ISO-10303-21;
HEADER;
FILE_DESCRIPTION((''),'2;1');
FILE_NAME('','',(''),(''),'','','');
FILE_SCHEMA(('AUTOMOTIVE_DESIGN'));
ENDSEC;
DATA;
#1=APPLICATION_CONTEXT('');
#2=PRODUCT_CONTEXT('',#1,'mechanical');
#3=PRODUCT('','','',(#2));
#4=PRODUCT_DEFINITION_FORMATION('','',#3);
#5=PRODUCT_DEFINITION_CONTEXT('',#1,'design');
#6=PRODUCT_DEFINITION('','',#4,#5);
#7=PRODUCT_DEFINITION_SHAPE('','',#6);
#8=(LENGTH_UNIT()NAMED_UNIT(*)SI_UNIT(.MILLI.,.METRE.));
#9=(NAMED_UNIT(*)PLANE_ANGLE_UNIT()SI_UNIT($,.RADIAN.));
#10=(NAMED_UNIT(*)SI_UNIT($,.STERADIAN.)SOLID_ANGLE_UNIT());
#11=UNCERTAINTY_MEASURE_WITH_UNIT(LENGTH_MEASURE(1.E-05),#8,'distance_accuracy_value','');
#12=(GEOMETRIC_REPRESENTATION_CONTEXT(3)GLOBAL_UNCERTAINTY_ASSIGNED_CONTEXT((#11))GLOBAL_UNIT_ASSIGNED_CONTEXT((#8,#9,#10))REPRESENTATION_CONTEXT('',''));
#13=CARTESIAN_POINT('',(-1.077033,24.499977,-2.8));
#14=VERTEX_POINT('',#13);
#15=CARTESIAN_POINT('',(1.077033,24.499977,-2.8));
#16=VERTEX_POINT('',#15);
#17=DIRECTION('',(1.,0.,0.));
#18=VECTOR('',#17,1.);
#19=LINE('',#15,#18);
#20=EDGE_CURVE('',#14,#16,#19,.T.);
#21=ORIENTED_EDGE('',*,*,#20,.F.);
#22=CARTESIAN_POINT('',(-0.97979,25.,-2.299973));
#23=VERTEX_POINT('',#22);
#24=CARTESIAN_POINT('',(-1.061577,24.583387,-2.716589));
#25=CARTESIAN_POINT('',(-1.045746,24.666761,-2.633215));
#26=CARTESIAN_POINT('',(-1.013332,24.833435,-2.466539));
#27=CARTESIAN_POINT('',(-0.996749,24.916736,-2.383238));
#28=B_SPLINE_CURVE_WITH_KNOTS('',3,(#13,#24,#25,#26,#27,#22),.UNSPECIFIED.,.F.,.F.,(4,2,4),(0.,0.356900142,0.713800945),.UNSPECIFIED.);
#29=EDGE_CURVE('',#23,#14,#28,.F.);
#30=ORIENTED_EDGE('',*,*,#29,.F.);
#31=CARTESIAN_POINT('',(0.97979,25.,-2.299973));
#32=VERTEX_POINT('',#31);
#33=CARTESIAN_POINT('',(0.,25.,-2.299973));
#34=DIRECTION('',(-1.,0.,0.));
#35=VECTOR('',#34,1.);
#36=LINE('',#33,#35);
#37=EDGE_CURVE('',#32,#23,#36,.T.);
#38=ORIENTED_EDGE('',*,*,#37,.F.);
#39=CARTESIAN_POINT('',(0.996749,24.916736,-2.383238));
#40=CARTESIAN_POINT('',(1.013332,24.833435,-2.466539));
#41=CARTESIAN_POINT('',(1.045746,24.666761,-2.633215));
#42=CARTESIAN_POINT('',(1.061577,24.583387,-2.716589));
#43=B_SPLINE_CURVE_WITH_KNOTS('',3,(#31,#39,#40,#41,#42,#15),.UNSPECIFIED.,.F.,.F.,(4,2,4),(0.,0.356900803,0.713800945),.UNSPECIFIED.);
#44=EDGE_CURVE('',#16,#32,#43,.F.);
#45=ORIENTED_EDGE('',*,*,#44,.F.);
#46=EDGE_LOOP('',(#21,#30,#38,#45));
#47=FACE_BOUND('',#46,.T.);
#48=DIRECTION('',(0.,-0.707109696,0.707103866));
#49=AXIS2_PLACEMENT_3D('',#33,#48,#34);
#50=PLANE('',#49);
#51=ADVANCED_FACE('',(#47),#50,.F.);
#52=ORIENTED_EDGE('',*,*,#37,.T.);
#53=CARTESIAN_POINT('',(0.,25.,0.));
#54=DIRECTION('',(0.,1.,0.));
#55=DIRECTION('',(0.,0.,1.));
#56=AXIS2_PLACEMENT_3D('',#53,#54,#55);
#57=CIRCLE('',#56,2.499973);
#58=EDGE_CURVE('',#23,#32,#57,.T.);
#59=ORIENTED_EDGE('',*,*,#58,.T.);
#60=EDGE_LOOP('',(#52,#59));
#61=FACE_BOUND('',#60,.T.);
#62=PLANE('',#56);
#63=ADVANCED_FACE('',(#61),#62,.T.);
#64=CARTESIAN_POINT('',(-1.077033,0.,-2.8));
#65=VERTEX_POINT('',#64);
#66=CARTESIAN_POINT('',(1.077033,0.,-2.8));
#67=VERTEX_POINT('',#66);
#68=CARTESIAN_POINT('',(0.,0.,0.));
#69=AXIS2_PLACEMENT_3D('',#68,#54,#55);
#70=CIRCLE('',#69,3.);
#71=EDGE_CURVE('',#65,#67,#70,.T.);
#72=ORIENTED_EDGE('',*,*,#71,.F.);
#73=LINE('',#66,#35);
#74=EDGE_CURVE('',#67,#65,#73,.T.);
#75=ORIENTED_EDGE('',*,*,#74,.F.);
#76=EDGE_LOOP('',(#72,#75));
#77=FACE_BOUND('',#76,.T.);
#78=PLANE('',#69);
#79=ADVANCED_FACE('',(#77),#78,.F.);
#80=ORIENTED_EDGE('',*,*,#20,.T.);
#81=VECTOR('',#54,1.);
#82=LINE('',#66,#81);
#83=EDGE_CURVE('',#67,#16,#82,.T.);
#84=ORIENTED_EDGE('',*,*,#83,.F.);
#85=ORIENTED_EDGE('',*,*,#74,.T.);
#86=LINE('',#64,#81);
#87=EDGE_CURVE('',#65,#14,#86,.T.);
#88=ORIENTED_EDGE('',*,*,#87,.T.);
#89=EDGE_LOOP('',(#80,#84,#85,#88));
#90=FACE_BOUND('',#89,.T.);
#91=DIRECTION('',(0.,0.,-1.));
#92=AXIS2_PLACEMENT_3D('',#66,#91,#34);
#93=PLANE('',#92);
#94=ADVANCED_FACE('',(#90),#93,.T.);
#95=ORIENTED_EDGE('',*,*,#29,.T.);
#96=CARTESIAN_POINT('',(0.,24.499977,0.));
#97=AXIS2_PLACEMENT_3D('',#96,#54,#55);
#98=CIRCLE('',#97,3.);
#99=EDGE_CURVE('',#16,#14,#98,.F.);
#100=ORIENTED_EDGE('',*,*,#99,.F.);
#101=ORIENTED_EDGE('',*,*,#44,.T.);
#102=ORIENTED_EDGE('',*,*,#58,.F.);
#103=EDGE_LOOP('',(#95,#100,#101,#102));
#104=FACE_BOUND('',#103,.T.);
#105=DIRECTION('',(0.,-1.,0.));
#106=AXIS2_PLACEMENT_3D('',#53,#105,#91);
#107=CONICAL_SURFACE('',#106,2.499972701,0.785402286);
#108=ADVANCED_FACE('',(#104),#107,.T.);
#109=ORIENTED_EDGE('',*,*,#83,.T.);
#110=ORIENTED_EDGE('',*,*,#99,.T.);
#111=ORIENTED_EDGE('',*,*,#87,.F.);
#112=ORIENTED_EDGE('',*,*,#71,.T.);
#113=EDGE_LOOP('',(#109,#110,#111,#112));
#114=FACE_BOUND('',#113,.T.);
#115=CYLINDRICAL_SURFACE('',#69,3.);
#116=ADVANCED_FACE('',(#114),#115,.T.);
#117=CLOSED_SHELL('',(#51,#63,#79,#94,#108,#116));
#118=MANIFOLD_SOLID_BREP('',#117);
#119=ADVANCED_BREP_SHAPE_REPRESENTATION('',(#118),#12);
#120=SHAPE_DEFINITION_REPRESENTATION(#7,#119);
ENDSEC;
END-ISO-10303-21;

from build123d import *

# Parameters (mm, degrees)
BOSS_EXTRUDE1_DEPTH   = 25
CHAMFER1_SIZE2        = 0.500023177
CHAMFER1_SIZE         = 0.500027299
CHAMFER1_EDGE_2_SIZE2 = 0.500023177
CHAMFER1_EDGE_2_SIZE  = 0.500027299


with BuildPart() as part:
    # Sketch1 → Boss-Extrude1 (new body)
    with BuildSketch(Plane(origin=(0, 25, 0), x_dir=(1, 0, 0), z_dir=(0, 1, 0))):
        with BuildLine():
            Line((1.077032961, 2.8), (-1.077032961, 2.8))
            ThreePointArc((-1.077032961, 2.8), (0, -3), (1.077032961, 2.8))
        make_face()
    extrude(amount=-BOSS_EXTRUDE1_DEPTH)

    # Chamfer1
    chamfer1_edges = [part.edges().sort_by_distance(p)[0] for p in [
        (0, 25, -2.8),
    ]]
    chamfer(chamfer1_edges, length=CHAMFER1_SIZE, length2=CHAMFER1_SIZE2)

    # Chamfer1 edge 2
    chamfer1_edge_2_edges = [part.edges().sort_by_distance(p)[0] for p in [
        (0, 25, 3),
    ]]
    chamfer(chamfer1_edge_2_edges, length=CHAMFER1_EDGE_2_SIZE, length2=CHAMFER1_EDGE_2_SIZE2)


solid = part.part
